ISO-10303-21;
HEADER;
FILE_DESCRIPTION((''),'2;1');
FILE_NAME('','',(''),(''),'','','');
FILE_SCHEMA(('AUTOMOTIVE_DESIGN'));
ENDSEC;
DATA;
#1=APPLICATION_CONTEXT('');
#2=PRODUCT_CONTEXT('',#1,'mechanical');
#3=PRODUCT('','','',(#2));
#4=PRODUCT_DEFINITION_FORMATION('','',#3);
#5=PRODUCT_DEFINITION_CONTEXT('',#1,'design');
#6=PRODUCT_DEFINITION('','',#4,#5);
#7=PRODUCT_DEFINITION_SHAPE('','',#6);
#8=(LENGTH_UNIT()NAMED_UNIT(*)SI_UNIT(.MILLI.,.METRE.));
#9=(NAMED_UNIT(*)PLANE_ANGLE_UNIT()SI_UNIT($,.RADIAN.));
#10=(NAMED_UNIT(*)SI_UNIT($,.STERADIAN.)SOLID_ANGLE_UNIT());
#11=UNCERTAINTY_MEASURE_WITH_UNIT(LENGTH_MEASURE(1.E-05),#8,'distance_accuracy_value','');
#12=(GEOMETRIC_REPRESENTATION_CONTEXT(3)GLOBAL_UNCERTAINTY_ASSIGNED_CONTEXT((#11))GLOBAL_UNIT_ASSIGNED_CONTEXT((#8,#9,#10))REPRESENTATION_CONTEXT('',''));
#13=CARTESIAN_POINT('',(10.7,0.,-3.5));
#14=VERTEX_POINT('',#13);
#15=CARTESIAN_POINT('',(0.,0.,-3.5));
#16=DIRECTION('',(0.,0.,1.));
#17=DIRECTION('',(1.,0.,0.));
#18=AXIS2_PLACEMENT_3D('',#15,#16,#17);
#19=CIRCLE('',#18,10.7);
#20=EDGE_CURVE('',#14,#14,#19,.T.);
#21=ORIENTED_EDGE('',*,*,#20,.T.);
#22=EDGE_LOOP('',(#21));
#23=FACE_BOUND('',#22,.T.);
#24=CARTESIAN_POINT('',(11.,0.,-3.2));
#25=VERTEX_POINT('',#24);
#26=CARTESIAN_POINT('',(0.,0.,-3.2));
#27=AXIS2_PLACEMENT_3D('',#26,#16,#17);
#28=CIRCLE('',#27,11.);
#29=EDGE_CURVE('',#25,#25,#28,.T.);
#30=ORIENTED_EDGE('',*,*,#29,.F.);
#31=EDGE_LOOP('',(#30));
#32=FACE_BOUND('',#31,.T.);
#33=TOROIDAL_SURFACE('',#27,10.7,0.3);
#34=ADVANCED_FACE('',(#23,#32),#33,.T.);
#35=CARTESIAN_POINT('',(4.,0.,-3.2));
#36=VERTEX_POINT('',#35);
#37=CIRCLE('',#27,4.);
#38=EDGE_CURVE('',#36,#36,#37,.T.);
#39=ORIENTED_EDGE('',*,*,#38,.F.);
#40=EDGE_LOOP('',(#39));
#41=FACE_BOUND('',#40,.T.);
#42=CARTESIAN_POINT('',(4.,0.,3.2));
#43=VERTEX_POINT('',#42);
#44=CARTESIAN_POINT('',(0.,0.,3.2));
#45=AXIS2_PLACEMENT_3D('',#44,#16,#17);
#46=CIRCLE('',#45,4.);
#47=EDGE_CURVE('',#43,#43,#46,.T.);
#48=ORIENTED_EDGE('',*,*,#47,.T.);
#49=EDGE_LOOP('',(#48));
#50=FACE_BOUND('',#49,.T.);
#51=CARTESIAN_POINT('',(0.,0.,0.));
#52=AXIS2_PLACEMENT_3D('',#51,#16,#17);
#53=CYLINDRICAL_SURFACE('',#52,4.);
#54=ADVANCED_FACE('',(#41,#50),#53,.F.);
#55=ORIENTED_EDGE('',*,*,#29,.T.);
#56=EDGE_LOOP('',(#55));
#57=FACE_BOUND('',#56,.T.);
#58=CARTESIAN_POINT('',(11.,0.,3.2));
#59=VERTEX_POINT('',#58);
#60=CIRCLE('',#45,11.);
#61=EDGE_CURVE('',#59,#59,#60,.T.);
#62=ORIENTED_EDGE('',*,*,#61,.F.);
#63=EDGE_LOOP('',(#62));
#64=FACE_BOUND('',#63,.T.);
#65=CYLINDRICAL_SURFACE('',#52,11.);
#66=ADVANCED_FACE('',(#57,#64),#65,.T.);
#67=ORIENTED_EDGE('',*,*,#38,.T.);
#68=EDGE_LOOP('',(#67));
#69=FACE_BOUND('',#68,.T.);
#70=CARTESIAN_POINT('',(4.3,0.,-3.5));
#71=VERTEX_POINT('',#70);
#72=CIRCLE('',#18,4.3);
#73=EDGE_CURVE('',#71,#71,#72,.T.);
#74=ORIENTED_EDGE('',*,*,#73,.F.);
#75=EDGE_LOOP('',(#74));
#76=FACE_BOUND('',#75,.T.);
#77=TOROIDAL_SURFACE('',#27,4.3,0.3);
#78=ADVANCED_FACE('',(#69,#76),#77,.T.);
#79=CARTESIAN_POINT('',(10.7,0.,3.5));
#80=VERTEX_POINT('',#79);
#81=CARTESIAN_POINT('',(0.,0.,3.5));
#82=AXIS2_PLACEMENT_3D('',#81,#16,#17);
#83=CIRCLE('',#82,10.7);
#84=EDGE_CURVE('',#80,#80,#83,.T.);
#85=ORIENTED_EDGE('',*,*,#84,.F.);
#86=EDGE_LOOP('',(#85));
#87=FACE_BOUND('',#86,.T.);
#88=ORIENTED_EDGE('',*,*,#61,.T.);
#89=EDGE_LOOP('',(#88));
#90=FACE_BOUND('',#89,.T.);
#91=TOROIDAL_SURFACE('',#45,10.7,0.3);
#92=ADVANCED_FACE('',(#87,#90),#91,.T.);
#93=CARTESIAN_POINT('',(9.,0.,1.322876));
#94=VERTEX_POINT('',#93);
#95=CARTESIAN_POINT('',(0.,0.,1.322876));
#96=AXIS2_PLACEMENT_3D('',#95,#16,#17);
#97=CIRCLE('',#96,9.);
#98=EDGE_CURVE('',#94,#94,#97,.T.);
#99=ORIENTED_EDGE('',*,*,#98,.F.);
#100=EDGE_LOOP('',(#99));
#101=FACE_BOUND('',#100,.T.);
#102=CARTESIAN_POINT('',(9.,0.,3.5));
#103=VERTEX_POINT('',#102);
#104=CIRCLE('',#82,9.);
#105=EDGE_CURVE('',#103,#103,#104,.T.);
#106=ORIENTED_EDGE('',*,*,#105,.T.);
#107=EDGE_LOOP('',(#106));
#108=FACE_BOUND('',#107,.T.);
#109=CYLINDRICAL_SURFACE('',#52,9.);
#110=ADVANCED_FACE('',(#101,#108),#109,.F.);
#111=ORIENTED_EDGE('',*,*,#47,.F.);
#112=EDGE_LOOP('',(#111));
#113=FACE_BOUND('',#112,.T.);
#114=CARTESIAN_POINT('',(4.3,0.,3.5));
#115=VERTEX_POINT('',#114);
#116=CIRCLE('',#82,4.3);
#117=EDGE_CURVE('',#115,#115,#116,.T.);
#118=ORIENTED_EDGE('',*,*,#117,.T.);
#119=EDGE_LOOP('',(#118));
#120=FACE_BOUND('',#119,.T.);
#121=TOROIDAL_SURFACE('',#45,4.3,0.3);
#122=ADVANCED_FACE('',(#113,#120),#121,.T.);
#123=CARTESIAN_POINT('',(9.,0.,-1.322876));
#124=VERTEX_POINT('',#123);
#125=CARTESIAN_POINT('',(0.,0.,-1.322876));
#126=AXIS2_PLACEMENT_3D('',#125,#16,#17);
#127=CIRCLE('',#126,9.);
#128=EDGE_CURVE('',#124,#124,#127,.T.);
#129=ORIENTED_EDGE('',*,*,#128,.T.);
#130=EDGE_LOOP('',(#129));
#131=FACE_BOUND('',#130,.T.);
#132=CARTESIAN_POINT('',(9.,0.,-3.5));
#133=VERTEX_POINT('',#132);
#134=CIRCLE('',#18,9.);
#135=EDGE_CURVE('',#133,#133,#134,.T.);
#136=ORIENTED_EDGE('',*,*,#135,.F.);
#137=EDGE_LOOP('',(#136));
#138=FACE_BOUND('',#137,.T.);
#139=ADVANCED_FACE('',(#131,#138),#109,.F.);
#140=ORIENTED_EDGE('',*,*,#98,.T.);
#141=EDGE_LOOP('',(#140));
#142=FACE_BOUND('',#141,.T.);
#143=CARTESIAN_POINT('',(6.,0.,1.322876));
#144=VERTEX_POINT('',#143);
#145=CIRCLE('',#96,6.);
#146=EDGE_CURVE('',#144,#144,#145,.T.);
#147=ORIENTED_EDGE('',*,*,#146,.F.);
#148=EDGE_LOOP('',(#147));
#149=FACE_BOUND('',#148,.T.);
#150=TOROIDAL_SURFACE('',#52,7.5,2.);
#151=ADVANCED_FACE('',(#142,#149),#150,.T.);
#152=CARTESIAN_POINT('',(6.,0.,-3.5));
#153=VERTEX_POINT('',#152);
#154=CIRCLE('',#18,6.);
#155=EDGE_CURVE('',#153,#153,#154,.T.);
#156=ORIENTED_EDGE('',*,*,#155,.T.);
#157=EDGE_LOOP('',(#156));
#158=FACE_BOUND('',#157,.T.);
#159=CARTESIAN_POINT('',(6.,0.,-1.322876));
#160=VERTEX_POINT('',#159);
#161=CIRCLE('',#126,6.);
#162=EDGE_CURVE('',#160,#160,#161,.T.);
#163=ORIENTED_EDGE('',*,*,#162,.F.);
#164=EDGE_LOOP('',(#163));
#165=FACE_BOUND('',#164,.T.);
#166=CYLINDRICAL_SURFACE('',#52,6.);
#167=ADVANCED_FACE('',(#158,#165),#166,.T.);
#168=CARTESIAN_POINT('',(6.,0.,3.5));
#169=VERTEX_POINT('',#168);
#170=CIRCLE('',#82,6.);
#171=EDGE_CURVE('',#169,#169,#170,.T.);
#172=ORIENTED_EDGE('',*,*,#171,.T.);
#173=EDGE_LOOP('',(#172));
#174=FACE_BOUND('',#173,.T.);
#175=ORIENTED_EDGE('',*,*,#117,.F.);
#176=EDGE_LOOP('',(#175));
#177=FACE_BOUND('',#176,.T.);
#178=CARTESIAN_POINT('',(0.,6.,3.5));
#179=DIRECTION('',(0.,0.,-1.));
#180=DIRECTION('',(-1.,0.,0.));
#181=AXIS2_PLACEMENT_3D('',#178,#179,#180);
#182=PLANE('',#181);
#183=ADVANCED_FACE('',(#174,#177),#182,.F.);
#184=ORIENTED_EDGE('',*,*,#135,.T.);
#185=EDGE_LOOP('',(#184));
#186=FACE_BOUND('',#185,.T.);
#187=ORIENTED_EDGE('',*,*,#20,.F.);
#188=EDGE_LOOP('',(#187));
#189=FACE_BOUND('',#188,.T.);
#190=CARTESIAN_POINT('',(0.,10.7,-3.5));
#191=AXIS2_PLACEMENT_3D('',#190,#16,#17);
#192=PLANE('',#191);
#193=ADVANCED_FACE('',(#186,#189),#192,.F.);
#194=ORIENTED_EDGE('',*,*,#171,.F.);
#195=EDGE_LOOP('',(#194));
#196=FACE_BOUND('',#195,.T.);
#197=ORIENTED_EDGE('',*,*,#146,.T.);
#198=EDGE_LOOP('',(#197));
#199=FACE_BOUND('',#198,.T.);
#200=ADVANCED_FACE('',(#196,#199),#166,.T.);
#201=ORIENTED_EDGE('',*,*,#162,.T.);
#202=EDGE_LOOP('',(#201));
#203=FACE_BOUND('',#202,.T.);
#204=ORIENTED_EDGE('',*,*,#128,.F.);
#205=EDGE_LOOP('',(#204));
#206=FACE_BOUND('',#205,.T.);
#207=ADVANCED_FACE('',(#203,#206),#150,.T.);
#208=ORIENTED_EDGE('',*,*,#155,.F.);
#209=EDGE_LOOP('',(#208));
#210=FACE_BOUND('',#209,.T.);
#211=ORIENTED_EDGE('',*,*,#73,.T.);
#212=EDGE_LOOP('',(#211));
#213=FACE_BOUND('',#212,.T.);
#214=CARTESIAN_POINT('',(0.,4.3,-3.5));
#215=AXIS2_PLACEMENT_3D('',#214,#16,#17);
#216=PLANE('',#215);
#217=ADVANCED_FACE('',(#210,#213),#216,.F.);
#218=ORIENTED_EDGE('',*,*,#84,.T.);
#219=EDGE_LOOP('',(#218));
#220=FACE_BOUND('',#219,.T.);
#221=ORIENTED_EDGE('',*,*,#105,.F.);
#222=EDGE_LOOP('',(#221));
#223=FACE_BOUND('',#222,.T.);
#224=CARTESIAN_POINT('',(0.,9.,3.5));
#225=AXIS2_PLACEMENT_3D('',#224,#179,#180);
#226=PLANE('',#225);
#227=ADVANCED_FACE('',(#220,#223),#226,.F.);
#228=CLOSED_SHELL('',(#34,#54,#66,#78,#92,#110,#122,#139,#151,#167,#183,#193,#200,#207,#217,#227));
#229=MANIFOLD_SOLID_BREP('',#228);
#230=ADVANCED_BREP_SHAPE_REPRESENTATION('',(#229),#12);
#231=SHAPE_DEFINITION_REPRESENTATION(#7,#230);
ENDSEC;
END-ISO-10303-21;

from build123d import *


with BuildPart() as part:
    # Sketch1 → Revolve1 (revolve)
    with BuildSketch(Plane(origin=(0, 0, 0), x_dir=(0, 0, -1), z_dir=(1, 0, 0)), mode=Mode.PRIVATE) as revolve1_sk:
        with BuildLine():
            Line((-3.5, 6), (-3.5, 4.3))
            ThreePointArc((-3.5, 4.3), (-3.412132034, 4.087867966), (-3.2, 4))
            Line((-3.2, 4), (3.2, 4))
            ThreePointArc((3.2, 4), (3.412132034, 4.087867966), (3.5, 4.3))
            Line((3.5, 4.3), (3.5, 6))
            Line((3.5, 6), (1.322875656, 6))
            ThreePointArc((1.322875656, 6), (2, 7.5), (1.322875656, 9))
            Line((1.322875656, 9), (3.5, 9))
            Line((3.5, 9), (3.5, 10.7))
            ThreePointArc((3.5, 10.7), (3.412132034, 10.912132034), (3.2, 11))
            Line((3.2, 11), (-3.2, 11))
            ThreePointArc((-3.2, 11), (-3.412132034, 10.912132034), (-3.5, 10.7))
            Line((-3.5, 10.7), (-3.5, 9))
            Line((-3.5, 9), (-1.322875656, 9))
            ThreePointArc((-1.322875656, 9), (-2, 7.5), (-1.322875656, 6))
            Line((-1.322875656, 6), (-3.5, 6))
        make_face()
    revolve(revolve1_sk.sketch.rotate(Axis((0, 0, 0), (0, 0, -1)), 90), axis=Axis((0, 0, 0), (0, 0, -1)))


solid = part.part
